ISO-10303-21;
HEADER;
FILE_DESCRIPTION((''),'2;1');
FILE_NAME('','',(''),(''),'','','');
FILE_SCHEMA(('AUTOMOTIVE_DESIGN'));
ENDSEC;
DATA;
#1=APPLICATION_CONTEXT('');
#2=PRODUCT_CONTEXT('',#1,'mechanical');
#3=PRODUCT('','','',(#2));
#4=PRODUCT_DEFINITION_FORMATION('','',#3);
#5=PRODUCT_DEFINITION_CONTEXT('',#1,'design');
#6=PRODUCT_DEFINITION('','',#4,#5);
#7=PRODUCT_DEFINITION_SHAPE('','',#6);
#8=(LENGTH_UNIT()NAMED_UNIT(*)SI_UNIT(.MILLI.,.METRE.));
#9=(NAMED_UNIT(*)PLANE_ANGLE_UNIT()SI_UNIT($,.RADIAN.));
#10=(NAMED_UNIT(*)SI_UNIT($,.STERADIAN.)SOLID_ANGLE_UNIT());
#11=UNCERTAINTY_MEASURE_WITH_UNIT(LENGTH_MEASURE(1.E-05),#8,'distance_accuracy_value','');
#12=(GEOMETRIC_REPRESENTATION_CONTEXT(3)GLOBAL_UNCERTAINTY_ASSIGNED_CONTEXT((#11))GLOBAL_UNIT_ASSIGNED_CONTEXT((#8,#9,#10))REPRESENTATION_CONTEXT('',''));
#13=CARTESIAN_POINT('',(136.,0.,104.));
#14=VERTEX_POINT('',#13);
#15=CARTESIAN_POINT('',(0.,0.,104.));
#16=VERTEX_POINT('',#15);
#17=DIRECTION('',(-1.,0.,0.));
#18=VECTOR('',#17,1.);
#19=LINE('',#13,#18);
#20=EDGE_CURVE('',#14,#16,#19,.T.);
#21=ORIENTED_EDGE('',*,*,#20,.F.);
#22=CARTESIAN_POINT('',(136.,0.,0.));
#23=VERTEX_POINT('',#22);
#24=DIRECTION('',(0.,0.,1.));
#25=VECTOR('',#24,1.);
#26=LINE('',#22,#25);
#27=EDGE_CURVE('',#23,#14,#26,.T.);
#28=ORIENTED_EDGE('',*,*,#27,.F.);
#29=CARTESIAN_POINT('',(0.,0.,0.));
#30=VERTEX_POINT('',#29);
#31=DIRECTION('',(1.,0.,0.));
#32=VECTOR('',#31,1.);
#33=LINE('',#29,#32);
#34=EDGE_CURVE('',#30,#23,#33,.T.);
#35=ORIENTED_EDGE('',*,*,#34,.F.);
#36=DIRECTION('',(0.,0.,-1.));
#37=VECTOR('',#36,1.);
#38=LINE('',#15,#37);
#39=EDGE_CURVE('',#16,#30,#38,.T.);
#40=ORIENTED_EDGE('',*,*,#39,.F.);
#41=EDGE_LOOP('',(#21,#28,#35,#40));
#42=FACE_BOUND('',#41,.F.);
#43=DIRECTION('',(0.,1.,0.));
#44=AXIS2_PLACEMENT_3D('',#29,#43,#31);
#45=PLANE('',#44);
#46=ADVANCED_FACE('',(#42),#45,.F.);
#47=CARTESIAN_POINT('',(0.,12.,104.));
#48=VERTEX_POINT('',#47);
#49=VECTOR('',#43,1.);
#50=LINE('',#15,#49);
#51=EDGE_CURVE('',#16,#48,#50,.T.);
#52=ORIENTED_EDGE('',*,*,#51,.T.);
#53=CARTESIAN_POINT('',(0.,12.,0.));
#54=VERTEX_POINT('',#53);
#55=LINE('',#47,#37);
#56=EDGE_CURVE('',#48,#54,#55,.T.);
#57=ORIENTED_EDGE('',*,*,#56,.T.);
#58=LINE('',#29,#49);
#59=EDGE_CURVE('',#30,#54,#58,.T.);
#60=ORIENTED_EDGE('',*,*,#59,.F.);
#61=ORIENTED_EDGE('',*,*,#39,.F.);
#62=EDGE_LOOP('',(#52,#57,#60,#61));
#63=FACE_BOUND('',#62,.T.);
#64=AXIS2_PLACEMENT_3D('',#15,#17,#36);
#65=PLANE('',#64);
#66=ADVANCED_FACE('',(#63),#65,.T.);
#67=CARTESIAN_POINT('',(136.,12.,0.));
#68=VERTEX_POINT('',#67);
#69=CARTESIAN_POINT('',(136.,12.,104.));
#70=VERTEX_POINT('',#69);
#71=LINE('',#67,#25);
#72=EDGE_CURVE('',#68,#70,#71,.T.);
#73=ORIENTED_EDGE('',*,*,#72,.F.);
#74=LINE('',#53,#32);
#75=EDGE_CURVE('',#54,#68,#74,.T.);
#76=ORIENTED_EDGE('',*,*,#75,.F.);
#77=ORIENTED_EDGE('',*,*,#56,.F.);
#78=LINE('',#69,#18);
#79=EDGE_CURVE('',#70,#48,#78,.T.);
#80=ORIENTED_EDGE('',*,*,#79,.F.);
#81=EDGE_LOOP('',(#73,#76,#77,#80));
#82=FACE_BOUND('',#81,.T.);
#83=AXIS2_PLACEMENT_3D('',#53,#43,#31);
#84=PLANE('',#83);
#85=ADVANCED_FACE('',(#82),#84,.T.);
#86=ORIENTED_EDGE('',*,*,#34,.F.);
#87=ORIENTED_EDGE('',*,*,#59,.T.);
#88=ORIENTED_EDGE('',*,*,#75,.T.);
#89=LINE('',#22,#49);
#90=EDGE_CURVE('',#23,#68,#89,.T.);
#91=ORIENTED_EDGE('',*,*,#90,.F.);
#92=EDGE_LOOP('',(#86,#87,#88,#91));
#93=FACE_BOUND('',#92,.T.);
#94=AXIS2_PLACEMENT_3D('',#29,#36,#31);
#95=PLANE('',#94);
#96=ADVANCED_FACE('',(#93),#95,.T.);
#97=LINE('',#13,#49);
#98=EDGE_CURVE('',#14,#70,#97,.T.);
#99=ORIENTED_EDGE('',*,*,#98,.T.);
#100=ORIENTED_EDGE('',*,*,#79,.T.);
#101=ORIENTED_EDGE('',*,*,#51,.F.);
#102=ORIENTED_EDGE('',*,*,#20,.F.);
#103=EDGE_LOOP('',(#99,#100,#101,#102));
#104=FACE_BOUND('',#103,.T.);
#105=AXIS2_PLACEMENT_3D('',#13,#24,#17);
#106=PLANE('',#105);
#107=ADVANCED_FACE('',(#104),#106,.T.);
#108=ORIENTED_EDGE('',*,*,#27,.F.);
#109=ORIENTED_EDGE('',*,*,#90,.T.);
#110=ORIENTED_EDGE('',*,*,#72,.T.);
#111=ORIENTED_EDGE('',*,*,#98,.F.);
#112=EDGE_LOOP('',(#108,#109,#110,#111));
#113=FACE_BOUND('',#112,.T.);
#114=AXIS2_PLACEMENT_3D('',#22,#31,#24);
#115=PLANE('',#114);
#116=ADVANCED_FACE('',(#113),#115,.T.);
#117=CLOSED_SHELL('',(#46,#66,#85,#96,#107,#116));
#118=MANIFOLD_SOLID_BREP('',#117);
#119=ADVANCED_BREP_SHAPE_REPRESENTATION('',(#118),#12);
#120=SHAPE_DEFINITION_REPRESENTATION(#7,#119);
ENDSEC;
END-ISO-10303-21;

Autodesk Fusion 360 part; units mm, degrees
sketch "Back Plate" plane through (0, 0, 0) normal (0, 1, 0) x (1, 0, 0)
  line L0 (0, 0) -> (136, 0)
  line L1 (136, 0) -> (136, -104)
  line L2 (136, -104) -> (0, -104)
  line L3 (0, -104) -> (0, 0)
  dimension "d5" = 136
  dimension "d6" = 104
extrude "Extrude1" add sketch "Back Plate" along normal blind 12
equation "block_size = 16 mm" comment "The size of the blocks used for the dimensions of the Minecraft Pig."
equation "pine_thickness = 12 mm" comment "The thickness of the pine boards used for the Minecraft Pig's body."
equation "back_plate_height = 8 * block_size - 2 * pine_thickness" comment "The height of the Back Plate that makes up the Minecraft Pig's body."
equation "back_plate_width = 10 * block_size - 2 * pine_thickness" comment "The width of the Back Plate that makes up the Minecraft Pig's body."
equation "d5 = back_plate_width"
equation "d6 = back_plate_height"
equation "d7 = pine_thickness"
